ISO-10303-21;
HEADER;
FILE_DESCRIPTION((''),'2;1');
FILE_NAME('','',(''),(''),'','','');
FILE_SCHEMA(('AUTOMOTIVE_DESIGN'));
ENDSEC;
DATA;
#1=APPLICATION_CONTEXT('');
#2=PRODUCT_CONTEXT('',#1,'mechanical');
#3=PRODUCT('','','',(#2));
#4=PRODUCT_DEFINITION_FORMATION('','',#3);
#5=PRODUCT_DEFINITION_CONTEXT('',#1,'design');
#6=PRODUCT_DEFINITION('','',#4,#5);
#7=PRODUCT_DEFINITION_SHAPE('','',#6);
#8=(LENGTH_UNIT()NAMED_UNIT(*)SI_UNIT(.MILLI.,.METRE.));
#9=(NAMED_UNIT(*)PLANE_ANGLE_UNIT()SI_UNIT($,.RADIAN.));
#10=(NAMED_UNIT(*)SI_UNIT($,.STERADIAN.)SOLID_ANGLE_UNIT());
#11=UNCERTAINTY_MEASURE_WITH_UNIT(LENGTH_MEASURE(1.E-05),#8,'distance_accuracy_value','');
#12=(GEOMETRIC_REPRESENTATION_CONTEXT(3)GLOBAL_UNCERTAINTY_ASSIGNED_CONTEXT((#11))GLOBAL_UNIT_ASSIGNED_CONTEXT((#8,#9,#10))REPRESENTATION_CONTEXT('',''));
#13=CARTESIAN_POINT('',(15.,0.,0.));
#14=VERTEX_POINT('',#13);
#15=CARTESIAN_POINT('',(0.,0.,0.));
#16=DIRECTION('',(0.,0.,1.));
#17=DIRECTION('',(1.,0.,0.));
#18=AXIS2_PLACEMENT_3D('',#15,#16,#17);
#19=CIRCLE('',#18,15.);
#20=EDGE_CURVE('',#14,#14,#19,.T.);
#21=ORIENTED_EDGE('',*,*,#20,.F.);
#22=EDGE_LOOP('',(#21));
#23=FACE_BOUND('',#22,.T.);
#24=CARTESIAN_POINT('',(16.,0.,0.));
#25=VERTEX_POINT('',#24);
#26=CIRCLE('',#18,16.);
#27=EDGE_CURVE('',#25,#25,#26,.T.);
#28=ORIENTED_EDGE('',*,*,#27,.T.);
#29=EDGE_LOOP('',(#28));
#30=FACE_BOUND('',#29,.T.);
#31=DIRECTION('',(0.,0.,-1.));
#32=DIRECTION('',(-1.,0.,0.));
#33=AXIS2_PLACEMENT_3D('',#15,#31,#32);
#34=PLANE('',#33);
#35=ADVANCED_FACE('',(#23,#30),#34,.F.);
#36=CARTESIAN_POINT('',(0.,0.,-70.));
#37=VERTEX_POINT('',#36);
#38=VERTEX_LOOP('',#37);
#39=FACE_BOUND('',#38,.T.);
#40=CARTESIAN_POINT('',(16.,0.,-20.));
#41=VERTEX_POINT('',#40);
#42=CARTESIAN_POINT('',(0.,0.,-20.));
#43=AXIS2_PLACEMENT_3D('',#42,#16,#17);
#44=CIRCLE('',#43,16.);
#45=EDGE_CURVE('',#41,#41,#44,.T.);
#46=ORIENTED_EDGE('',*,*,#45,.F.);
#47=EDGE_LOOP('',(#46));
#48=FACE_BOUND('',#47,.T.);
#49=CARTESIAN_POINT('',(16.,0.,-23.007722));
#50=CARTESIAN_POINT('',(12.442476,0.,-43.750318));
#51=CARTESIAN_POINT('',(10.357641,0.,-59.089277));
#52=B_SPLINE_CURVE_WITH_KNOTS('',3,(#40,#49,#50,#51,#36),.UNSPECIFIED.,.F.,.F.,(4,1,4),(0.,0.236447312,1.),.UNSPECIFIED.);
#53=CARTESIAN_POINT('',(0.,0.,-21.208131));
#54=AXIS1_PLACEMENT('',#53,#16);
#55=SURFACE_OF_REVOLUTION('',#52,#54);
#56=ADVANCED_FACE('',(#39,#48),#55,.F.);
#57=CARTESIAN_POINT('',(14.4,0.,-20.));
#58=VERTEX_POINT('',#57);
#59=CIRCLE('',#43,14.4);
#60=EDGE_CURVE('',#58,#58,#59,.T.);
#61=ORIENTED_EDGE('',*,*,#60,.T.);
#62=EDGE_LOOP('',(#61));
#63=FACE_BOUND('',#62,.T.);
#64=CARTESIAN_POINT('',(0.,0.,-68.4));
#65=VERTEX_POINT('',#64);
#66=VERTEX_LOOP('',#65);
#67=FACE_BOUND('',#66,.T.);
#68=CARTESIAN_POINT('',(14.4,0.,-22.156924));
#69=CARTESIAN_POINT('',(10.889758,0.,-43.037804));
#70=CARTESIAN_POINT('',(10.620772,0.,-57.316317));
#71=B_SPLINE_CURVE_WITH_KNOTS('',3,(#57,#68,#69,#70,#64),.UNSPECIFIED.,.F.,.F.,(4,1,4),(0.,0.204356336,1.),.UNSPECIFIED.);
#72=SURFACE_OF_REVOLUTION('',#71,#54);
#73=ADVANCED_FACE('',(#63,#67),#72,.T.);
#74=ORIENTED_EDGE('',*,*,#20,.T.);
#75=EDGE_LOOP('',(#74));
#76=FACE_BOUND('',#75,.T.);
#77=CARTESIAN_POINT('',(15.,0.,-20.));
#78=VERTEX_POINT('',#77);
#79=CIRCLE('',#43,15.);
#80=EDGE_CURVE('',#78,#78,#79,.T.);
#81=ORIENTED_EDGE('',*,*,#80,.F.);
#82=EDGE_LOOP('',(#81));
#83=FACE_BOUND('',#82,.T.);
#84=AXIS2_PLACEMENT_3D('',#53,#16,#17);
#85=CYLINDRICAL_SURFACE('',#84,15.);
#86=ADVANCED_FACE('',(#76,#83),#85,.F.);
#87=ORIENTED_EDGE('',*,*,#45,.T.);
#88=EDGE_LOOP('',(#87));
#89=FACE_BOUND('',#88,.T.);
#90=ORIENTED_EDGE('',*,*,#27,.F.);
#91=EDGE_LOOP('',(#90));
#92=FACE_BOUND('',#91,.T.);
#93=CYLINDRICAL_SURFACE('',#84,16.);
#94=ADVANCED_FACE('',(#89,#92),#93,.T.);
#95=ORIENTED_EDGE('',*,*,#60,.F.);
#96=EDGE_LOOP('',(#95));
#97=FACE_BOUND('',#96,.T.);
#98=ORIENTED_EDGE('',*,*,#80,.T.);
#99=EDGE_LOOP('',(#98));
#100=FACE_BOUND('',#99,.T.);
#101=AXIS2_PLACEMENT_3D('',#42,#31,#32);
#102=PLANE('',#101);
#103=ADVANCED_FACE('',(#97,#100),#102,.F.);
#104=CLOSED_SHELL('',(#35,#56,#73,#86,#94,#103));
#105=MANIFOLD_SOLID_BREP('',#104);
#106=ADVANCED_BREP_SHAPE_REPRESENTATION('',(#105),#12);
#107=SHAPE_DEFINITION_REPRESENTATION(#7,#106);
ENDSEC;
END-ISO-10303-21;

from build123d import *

# Parameters (mm, degrees)
SKETCH_1_W = 1
SKETCH_1_H = 20


with BuildPart() as part:
    # 草图1 → 旋转1 (revolve)
    with BuildSketch(Plane(origin=(0, 0, 0), x_dir=(1, 0, 0), z_dir=(0, 1, 0))):
        with BuildLine():
            add(Edge.make_bspline(
                [(14.4, 20), (14.4, 22.156924327), (10.88975842, 43.03780354), (10.62077223, 57.316316781), (0, 68.4)],
                knots=[0, 0, 0, 0, 0.204356336, 1, 1, 1, 1], degree=3))
            Line((0, 68.4), (0, 70))
            add(Edge.make_bspline(
                [(16, 20), (16, 23.007721561), (12.442475671, 43.750318452), (10.357640651, 59.089277422), (0, 70)],
                knots=[0, 0, 0, 0, 0.236447312, 1, 1, 1, 1], degree=3))
            Line((16, 20), (15, 20))
            Line((15, 20), (14.4, 20))
        make_face()
        with Locations((15.5, 10)):
            Rectangle(SKETCH_1_W, SKETCH_1_H)
    revolve(axis=Axis((0, 0, -21.208130678), (0, 0, -1)))


solid = part.part
